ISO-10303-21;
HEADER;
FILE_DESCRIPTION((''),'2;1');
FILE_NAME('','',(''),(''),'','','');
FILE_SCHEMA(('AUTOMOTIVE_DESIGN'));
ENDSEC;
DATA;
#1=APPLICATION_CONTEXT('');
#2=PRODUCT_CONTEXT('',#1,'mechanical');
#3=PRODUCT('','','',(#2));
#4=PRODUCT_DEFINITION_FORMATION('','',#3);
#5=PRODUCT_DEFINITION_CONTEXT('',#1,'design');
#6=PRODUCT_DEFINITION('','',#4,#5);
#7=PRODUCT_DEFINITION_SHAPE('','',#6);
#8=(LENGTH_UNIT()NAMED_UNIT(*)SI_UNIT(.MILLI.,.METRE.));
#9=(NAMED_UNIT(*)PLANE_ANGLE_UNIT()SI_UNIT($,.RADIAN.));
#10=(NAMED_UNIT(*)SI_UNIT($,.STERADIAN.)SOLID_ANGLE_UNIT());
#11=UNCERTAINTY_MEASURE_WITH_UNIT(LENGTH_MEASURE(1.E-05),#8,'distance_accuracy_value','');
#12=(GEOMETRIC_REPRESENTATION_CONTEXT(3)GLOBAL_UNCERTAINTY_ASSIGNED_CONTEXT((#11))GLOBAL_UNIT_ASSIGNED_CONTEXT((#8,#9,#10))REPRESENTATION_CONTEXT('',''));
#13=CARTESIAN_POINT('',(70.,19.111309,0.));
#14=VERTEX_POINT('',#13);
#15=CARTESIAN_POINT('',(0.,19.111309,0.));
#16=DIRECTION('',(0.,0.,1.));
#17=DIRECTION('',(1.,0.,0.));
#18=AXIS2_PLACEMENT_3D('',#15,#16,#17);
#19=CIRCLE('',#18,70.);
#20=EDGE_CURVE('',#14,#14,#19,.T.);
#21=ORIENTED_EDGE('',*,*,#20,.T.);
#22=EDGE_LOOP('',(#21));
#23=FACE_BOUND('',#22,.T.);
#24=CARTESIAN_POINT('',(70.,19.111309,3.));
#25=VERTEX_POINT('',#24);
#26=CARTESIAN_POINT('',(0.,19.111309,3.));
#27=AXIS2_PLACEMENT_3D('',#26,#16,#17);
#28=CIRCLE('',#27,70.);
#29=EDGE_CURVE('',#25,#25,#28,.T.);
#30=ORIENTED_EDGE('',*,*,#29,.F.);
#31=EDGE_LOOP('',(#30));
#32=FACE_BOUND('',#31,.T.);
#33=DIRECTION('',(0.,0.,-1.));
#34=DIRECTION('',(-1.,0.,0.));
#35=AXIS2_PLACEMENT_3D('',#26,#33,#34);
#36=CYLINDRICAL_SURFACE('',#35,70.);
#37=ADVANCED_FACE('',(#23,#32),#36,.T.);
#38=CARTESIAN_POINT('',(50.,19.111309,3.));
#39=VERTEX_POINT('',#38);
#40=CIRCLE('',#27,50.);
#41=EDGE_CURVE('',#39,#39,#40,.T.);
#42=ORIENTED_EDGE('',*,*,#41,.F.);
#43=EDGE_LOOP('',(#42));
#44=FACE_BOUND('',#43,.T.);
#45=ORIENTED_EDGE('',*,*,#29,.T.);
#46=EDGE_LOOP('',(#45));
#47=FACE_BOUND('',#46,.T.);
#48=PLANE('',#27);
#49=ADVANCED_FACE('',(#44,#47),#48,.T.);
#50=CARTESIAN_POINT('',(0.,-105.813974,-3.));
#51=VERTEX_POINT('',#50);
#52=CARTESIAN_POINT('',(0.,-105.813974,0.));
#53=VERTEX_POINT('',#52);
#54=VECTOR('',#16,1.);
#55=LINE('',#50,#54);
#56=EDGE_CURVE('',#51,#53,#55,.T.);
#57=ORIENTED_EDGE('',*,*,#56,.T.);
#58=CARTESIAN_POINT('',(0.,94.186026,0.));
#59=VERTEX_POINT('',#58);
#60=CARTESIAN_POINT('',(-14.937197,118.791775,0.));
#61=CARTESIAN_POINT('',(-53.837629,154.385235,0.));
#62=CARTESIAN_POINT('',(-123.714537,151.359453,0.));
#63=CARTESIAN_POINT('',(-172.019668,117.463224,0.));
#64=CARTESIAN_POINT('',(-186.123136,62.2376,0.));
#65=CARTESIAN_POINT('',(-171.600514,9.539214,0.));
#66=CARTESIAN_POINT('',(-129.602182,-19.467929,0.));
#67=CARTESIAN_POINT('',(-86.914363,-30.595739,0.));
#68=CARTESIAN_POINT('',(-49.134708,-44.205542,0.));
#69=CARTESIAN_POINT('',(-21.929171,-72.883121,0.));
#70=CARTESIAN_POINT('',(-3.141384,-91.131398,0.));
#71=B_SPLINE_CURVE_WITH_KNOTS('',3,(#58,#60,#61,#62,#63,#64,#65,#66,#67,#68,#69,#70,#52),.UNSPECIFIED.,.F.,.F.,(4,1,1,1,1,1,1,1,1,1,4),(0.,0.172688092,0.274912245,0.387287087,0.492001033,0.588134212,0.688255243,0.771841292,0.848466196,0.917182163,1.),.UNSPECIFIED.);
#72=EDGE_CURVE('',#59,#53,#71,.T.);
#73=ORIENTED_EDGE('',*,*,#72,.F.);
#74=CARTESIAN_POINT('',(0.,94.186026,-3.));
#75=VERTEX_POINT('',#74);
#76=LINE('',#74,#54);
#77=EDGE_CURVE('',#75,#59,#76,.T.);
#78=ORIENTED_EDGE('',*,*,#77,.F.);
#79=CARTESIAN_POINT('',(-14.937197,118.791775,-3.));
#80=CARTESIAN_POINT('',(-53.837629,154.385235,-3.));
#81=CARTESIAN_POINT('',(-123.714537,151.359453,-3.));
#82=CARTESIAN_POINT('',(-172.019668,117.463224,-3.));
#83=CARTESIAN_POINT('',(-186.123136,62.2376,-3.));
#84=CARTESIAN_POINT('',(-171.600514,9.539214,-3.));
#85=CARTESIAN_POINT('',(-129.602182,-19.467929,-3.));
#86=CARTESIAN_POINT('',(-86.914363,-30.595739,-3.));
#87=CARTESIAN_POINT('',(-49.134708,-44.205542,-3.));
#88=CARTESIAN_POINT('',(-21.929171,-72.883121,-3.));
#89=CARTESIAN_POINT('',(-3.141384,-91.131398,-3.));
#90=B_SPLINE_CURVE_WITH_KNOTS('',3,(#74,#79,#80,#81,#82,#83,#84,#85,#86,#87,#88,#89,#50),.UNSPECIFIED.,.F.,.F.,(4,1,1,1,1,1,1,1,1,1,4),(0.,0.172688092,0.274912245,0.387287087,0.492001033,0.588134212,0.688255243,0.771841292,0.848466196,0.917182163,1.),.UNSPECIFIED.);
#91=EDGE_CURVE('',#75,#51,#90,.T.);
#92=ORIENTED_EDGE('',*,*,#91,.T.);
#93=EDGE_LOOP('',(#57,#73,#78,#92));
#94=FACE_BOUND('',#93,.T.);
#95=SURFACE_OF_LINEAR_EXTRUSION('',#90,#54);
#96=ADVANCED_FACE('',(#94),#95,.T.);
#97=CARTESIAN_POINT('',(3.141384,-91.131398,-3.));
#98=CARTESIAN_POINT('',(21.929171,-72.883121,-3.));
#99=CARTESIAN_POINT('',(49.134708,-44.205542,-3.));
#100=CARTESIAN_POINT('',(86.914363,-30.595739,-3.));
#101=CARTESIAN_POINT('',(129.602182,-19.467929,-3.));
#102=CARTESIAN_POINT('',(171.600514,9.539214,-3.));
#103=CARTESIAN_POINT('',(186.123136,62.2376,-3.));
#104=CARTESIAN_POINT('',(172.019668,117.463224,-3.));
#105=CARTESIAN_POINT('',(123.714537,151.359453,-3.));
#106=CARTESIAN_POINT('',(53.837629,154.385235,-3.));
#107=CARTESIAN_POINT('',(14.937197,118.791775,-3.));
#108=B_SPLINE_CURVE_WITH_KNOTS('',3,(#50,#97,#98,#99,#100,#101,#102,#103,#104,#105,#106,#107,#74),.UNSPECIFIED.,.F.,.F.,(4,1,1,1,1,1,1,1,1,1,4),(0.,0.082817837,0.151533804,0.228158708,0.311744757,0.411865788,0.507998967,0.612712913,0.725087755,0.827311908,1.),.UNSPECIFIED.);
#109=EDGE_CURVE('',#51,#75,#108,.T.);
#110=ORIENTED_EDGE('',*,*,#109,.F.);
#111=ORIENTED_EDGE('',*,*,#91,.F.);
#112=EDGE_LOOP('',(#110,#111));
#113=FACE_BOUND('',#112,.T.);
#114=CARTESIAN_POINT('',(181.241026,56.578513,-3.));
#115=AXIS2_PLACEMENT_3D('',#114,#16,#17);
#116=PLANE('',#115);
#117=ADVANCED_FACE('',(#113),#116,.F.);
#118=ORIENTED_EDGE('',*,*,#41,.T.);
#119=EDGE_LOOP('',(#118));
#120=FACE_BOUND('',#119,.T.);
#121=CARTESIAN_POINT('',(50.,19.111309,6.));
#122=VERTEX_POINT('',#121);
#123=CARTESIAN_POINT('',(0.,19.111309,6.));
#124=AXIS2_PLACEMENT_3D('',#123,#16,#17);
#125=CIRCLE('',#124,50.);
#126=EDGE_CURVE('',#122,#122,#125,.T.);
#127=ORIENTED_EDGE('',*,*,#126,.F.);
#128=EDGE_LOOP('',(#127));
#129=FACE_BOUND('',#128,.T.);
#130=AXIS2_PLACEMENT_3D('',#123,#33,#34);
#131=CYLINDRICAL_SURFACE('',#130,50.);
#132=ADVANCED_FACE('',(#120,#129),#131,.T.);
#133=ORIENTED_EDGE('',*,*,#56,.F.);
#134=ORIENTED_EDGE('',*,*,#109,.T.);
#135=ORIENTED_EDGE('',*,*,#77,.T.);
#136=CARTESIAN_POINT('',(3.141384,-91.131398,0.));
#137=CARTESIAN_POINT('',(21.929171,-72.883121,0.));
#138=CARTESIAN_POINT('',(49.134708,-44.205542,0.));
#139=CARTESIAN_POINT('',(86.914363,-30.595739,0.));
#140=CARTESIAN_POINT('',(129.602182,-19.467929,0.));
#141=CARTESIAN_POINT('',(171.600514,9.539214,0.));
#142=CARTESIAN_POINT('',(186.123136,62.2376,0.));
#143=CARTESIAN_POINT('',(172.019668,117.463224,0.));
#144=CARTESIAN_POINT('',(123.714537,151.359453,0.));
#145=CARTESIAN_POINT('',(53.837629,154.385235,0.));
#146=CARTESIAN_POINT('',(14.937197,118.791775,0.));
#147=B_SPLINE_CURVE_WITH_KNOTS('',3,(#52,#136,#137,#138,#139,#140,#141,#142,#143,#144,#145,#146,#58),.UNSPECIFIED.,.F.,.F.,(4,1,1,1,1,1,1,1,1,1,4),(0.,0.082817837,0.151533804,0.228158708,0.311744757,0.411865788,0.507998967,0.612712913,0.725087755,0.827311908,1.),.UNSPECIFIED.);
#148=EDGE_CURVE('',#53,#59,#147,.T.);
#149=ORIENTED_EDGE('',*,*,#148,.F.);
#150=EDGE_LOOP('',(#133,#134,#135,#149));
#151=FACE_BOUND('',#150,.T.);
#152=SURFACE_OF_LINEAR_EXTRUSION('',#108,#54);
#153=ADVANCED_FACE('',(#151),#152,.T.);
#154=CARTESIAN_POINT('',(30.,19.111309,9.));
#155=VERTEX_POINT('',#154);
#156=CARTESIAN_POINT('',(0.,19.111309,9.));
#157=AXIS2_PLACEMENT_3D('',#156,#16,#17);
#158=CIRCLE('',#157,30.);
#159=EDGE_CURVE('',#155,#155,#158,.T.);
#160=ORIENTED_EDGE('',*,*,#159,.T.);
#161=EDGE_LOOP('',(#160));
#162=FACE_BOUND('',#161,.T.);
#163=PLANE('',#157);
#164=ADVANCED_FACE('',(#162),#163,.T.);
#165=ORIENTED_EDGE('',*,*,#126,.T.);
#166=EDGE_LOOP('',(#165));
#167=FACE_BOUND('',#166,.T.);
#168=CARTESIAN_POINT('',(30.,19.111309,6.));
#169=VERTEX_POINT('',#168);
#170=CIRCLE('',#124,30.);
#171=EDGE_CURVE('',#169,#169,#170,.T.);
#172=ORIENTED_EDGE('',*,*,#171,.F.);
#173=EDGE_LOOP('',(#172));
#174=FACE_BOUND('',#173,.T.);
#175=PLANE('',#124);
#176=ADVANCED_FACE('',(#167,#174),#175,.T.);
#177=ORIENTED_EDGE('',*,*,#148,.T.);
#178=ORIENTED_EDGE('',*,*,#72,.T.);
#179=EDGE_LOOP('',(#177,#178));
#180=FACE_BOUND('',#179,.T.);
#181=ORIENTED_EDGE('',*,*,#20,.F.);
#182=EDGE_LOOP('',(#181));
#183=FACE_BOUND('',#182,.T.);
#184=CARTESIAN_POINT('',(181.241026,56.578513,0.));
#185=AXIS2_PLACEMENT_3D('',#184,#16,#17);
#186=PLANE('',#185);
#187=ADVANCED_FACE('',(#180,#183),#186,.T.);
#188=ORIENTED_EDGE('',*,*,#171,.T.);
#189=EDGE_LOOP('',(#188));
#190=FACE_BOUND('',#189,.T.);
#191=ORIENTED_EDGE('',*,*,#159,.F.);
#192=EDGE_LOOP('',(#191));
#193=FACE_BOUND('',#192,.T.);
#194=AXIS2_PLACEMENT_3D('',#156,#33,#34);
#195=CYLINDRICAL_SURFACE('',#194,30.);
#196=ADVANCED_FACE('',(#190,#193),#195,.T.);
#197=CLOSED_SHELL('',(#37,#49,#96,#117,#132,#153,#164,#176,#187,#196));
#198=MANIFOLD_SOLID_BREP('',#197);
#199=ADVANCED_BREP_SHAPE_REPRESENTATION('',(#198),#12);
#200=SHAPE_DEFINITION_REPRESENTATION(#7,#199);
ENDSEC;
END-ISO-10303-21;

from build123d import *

# Parameters (mm, degrees)
BOSS_EXTRUDE2_DEPTH = 3
SKETCH4_R           = 70
BOSS_EXTRUDE3_DEPTH = 3
SKETCH6_R           = 50
BOSS_EXTRUDE4_DEPTH = 3
SKETCH7_R           = 30
BOSS_EXTRUDE5_DEPTH = 3


with BuildPart() as part:
    # Sketch3 → Boss-Extrude2 (new body)
    with BuildSketch(Plane.XY):
        with BuildLine():
            add(Edge.make_bspline(
                [(0, 94.186026498), (-14.937197001, 118.791774845), (-53.837629132, 154.385235119), (-123.714536571, 151.359453215), (-172.01966834, 117.463223927), (-186.123135767, 62.237600369), (-171.600514001, 9.539213873), (-129.602182184, -19.467929152), (-86.914362999, -30.595739372), (-49.13470838, -44.205541663), (-21.929171112, -72.883121261), (-3.141383744, -91.131398202), (0, -105.813973502)],
                knots=[0, 0, 0, 0, 0.172688092, 0.274912245, 0.387287087, 0.492001033, 0.588134212, 0.688255243, 0.771841292, 0.848466196, 0.917182163, 1, 1, 1, 1], degree=3))
            add(Edge.make_bspline(
                [(0, 94.186026498), (14.937197001, 118.791774845), (53.837629132, 154.385235119), (123.714536571, 151.359453215), (172.01966834, 117.463223927), (186.123135767, 62.237600369), (171.600514001, 9.539213873), (129.602182184, -19.467929152), (86.914362999, -30.595739372), (49.13470838, -44.205541663), (21.929171112, -72.883121261), (3.141383744, -91.131398202), (0, -105.813973502)],
                knots=[0, 0, 0, 0, 0.172688092, 0.274912245, 0.387287087, 0.492001033, 0.588134212, 0.688255243, 0.771841292, 0.848466196, 0.917182163, 1, 1, 1, 1], degree=3))
        make_face()
    extrude(amount=-BOSS_EXTRUDE2_DEPTH)

    # Sketch4 → Boss-Extrude3 (add)
    with BuildSketch(Plane.XY):
        with Locations((0, 19.111309062)):
            Circle(SKETCH4_R)
    extrude(amount=BOSS_EXTRUDE3_DEPTH)

    # Sketch6 → Boss-Extrude4 (add)
    with BuildSketch(Plane.XY.offset(3)):
        with Locations((0, 19.111309062)):
            Circle(SKETCH6_R)
    extrude(amount=BOSS_EXTRUDE4_DEPTH)

    # Sketch7 → Boss-Extrude5 (add)
    with BuildSketch(Plane.XY.offset(6)):
        with Locations((0, 19.111309062)):
            Circle(SKETCH7_R)
    extrude(amount=BOSS_EXTRUDE5_DEPTH)


solid = part.part
